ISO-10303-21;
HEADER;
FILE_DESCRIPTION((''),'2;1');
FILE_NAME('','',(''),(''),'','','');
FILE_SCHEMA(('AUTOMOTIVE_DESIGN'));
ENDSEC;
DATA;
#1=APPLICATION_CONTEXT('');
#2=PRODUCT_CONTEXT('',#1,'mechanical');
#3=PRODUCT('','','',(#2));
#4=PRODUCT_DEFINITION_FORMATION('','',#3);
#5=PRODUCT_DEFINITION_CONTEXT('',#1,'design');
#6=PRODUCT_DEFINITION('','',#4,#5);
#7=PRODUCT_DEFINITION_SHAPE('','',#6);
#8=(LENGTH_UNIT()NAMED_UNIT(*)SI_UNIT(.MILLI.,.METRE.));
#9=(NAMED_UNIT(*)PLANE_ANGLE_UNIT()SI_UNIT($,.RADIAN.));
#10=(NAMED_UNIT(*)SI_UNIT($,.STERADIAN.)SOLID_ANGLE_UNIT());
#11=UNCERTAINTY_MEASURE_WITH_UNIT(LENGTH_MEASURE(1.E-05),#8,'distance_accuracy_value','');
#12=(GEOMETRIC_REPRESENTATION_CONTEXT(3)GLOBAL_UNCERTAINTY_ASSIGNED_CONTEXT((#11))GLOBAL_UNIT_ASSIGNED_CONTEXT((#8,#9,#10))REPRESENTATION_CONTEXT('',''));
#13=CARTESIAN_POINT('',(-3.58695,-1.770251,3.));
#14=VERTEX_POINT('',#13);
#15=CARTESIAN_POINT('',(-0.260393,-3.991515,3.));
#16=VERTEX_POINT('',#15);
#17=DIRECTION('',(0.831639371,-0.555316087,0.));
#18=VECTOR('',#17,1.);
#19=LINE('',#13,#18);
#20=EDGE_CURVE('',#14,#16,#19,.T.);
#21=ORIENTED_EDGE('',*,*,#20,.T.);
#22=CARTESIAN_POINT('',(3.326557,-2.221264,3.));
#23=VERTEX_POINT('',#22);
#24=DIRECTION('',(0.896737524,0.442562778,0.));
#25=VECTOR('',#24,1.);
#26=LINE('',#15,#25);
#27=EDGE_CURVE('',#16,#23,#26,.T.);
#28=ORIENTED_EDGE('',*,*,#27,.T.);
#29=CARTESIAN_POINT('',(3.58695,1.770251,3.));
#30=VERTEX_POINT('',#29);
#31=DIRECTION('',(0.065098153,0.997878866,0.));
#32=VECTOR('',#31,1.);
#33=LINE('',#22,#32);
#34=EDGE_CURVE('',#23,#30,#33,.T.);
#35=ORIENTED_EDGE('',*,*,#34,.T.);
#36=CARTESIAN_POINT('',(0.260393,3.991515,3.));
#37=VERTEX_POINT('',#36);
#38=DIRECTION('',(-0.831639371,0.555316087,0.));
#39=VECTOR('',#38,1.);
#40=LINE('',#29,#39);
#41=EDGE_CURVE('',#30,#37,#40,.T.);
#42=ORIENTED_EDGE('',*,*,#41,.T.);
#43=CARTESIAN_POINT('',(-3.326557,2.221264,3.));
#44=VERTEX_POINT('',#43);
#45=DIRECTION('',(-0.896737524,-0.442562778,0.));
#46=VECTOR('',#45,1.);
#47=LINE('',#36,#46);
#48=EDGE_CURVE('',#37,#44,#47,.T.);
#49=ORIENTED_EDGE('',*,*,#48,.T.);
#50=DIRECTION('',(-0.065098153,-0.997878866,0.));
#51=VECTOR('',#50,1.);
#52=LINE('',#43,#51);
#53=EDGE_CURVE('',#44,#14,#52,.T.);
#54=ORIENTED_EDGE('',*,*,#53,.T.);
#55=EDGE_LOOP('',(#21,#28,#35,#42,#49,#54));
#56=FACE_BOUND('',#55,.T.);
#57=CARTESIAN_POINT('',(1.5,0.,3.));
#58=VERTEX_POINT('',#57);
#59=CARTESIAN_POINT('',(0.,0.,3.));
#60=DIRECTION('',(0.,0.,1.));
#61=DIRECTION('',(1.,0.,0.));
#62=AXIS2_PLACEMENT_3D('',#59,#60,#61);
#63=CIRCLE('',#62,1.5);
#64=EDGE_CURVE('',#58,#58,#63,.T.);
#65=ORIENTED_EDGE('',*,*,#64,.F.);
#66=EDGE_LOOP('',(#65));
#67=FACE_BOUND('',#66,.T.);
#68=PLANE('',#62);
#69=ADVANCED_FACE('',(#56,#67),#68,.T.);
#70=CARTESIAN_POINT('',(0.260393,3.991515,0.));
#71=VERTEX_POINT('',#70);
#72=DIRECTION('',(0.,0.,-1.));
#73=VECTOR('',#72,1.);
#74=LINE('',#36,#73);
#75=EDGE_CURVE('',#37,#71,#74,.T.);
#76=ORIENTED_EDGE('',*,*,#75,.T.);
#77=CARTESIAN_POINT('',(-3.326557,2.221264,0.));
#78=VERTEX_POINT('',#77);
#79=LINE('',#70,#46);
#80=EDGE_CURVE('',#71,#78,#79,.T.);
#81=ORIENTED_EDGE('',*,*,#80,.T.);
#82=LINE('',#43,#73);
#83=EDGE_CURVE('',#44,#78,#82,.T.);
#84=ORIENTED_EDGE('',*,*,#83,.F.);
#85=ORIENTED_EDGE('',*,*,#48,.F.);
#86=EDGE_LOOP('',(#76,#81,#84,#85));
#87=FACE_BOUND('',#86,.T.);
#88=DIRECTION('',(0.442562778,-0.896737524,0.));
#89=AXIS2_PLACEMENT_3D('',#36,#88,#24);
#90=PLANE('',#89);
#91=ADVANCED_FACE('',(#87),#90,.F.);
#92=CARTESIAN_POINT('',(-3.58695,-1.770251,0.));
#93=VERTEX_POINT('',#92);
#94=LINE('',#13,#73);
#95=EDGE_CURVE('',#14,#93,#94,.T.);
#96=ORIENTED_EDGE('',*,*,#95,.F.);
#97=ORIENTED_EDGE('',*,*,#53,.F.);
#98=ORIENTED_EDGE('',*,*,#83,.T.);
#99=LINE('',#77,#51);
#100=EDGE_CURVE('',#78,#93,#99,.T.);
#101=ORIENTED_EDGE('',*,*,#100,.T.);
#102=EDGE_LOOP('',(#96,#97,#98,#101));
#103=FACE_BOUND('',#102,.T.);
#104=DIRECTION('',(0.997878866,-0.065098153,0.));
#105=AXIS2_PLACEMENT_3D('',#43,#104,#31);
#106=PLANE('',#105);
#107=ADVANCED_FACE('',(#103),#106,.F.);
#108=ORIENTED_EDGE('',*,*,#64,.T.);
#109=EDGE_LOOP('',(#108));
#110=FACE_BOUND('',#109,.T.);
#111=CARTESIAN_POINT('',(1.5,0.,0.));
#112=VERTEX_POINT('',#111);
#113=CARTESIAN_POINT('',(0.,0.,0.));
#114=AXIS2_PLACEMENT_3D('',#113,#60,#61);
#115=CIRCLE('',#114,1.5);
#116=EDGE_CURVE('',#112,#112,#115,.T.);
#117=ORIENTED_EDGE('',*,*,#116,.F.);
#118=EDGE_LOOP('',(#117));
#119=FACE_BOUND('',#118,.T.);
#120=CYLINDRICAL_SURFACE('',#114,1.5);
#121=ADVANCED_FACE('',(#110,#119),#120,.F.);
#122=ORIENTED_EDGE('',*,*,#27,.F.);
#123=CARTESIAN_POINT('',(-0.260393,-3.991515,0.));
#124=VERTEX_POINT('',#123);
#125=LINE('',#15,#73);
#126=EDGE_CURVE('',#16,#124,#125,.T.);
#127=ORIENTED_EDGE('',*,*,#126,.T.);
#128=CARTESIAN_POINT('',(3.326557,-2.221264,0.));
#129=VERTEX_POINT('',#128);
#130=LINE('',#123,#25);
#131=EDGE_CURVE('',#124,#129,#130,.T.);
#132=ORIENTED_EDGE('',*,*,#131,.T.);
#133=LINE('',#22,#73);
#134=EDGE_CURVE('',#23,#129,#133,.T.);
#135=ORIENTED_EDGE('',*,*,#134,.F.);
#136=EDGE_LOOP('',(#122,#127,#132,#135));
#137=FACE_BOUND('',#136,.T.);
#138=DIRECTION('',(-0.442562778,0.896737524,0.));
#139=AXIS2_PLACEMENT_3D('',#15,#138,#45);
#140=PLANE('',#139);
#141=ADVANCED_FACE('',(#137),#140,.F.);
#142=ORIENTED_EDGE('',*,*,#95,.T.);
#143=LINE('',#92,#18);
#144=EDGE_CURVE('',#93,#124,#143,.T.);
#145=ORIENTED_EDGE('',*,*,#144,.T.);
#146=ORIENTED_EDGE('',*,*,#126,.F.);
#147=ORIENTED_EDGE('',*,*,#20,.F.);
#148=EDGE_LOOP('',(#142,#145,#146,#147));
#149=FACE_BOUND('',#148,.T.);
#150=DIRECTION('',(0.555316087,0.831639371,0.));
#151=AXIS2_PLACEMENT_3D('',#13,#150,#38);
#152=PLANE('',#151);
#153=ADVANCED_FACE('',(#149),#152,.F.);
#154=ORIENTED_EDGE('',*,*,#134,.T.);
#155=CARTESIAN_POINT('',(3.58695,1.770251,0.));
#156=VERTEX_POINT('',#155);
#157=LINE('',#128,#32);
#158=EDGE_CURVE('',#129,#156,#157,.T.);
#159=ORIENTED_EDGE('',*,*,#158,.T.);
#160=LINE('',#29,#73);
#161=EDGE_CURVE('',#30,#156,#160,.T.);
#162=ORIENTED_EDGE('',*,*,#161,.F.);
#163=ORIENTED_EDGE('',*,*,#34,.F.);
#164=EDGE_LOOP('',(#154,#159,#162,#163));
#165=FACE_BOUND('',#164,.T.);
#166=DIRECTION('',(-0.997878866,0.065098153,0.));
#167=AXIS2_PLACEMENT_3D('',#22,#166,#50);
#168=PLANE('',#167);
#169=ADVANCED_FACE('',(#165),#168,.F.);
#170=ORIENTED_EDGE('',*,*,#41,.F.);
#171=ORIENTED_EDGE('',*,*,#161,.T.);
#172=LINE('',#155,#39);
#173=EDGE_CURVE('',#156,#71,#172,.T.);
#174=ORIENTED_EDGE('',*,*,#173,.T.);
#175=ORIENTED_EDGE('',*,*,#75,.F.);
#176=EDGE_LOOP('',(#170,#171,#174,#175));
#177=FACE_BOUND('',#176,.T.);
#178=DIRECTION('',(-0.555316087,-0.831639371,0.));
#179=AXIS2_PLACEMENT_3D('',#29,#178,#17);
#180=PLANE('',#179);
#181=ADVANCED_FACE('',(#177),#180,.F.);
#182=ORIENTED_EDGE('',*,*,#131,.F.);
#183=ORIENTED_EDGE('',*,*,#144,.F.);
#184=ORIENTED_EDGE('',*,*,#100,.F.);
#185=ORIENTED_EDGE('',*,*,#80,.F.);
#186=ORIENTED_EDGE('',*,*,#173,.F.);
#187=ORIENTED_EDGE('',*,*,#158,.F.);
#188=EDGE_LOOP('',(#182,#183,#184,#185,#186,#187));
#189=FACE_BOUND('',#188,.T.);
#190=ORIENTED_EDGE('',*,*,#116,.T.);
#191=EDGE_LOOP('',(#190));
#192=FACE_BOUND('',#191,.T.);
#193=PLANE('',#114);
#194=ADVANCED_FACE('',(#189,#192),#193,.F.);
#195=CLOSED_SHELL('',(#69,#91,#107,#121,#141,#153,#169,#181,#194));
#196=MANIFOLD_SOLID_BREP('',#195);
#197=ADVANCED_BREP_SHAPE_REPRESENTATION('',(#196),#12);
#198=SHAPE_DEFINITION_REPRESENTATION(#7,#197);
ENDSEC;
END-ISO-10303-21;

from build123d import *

# Parameters (mm, degrees)
BOSS_EXTRUDE1_DEPTH = 3
SKETCH2_R           = 1.5
CUT_EXTRUDE1_DEPTH  = 7.148040882


with BuildPart() as part:
    # Sketch1 → Boss-Extrude1 (new body)
    with BuildSketch(Plane.XY):
        Polygon((3.326557483, -2.221264349), (3.586950097, 1.770251113), (0.260392613, 3.991515462), (-3.326557483, 2.221264349), (-3.586950097, -1.770251113), (-0.260392613, -3.991515462), align=None)
    extrude(amount=BOSS_EXTRUDE1_DEPTH)

    # Sketch2 → Cut-Extrude1 (cut, through all)
    with BuildSketch(Plane.XY.offset(3)):
        Circle(SKETCH2_R)
    extrude(amount=-CUT_EXTRUDE1_DEPTH, mode=Mode.SUBTRACT)


solid = part.part
